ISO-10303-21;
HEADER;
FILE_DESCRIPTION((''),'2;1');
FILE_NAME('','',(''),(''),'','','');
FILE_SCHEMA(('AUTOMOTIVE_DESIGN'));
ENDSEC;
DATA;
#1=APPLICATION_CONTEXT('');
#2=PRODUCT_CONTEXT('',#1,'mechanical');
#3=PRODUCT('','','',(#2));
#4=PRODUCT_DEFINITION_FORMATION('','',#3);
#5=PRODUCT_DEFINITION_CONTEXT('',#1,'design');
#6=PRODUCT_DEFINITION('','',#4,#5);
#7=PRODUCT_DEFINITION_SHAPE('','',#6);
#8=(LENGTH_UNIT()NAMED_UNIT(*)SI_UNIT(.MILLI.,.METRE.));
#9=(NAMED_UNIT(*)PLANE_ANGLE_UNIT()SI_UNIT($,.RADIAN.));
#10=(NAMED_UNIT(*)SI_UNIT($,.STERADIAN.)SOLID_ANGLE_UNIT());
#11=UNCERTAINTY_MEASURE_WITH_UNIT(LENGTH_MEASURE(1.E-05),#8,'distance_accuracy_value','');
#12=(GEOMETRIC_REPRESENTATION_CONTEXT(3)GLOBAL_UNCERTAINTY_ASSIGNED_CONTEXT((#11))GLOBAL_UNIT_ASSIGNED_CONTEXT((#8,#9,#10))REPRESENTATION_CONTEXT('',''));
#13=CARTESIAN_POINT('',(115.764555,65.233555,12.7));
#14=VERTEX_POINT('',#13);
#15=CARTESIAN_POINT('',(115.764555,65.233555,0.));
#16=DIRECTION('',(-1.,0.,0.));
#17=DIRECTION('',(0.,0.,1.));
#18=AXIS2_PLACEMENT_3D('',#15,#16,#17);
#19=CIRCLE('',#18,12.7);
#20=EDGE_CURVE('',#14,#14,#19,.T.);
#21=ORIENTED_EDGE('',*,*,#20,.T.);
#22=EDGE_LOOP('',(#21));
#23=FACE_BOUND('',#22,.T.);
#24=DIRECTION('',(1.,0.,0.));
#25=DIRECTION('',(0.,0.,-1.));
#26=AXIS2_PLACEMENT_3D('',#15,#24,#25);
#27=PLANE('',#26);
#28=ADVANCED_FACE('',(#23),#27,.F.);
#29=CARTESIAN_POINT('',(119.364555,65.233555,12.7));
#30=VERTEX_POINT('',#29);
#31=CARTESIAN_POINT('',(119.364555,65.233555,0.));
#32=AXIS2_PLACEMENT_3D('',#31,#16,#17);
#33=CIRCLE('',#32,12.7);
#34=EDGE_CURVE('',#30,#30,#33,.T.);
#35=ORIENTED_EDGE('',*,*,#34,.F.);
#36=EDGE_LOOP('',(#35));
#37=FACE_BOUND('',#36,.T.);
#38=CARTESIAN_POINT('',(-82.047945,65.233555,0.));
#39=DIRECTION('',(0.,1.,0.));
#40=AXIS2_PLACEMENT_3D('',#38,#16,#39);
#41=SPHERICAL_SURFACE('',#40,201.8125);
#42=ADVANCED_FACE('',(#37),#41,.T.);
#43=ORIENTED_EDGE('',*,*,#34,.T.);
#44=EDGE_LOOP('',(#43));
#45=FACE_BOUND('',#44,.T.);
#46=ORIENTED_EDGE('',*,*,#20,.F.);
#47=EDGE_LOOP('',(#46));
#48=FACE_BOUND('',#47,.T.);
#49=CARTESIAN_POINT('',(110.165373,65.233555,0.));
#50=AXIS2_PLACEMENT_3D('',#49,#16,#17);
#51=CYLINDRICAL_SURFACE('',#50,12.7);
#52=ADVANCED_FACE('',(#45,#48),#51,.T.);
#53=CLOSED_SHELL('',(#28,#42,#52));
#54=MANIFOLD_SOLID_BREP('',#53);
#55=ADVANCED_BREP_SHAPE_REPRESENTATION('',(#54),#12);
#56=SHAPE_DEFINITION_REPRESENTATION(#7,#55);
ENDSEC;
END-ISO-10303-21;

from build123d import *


with BuildPart() as part:
    # 草图1 → 旋转1 (revolve)
    with BuildSketch(Plane.XY):
        with BuildLine():
            Line((115.764555476, 65.233554926), (115.764555476, 77.933554926))
            Line((115.764555476, 77.933554926), (119.364555476, 77.933554926))
            ThreePointArc((119.364555476, 77.933554926), (119.664530688, 71.586703752), (119.764555476, 65.233554926))
            Line((119.764555476, 65.233554926), (115.764555476, 65.233554926))
        make_face()
    revolve(axis=Axis((110.165373228, 65.233554926, 0), (1, 0, 0)))


solid = part.part
